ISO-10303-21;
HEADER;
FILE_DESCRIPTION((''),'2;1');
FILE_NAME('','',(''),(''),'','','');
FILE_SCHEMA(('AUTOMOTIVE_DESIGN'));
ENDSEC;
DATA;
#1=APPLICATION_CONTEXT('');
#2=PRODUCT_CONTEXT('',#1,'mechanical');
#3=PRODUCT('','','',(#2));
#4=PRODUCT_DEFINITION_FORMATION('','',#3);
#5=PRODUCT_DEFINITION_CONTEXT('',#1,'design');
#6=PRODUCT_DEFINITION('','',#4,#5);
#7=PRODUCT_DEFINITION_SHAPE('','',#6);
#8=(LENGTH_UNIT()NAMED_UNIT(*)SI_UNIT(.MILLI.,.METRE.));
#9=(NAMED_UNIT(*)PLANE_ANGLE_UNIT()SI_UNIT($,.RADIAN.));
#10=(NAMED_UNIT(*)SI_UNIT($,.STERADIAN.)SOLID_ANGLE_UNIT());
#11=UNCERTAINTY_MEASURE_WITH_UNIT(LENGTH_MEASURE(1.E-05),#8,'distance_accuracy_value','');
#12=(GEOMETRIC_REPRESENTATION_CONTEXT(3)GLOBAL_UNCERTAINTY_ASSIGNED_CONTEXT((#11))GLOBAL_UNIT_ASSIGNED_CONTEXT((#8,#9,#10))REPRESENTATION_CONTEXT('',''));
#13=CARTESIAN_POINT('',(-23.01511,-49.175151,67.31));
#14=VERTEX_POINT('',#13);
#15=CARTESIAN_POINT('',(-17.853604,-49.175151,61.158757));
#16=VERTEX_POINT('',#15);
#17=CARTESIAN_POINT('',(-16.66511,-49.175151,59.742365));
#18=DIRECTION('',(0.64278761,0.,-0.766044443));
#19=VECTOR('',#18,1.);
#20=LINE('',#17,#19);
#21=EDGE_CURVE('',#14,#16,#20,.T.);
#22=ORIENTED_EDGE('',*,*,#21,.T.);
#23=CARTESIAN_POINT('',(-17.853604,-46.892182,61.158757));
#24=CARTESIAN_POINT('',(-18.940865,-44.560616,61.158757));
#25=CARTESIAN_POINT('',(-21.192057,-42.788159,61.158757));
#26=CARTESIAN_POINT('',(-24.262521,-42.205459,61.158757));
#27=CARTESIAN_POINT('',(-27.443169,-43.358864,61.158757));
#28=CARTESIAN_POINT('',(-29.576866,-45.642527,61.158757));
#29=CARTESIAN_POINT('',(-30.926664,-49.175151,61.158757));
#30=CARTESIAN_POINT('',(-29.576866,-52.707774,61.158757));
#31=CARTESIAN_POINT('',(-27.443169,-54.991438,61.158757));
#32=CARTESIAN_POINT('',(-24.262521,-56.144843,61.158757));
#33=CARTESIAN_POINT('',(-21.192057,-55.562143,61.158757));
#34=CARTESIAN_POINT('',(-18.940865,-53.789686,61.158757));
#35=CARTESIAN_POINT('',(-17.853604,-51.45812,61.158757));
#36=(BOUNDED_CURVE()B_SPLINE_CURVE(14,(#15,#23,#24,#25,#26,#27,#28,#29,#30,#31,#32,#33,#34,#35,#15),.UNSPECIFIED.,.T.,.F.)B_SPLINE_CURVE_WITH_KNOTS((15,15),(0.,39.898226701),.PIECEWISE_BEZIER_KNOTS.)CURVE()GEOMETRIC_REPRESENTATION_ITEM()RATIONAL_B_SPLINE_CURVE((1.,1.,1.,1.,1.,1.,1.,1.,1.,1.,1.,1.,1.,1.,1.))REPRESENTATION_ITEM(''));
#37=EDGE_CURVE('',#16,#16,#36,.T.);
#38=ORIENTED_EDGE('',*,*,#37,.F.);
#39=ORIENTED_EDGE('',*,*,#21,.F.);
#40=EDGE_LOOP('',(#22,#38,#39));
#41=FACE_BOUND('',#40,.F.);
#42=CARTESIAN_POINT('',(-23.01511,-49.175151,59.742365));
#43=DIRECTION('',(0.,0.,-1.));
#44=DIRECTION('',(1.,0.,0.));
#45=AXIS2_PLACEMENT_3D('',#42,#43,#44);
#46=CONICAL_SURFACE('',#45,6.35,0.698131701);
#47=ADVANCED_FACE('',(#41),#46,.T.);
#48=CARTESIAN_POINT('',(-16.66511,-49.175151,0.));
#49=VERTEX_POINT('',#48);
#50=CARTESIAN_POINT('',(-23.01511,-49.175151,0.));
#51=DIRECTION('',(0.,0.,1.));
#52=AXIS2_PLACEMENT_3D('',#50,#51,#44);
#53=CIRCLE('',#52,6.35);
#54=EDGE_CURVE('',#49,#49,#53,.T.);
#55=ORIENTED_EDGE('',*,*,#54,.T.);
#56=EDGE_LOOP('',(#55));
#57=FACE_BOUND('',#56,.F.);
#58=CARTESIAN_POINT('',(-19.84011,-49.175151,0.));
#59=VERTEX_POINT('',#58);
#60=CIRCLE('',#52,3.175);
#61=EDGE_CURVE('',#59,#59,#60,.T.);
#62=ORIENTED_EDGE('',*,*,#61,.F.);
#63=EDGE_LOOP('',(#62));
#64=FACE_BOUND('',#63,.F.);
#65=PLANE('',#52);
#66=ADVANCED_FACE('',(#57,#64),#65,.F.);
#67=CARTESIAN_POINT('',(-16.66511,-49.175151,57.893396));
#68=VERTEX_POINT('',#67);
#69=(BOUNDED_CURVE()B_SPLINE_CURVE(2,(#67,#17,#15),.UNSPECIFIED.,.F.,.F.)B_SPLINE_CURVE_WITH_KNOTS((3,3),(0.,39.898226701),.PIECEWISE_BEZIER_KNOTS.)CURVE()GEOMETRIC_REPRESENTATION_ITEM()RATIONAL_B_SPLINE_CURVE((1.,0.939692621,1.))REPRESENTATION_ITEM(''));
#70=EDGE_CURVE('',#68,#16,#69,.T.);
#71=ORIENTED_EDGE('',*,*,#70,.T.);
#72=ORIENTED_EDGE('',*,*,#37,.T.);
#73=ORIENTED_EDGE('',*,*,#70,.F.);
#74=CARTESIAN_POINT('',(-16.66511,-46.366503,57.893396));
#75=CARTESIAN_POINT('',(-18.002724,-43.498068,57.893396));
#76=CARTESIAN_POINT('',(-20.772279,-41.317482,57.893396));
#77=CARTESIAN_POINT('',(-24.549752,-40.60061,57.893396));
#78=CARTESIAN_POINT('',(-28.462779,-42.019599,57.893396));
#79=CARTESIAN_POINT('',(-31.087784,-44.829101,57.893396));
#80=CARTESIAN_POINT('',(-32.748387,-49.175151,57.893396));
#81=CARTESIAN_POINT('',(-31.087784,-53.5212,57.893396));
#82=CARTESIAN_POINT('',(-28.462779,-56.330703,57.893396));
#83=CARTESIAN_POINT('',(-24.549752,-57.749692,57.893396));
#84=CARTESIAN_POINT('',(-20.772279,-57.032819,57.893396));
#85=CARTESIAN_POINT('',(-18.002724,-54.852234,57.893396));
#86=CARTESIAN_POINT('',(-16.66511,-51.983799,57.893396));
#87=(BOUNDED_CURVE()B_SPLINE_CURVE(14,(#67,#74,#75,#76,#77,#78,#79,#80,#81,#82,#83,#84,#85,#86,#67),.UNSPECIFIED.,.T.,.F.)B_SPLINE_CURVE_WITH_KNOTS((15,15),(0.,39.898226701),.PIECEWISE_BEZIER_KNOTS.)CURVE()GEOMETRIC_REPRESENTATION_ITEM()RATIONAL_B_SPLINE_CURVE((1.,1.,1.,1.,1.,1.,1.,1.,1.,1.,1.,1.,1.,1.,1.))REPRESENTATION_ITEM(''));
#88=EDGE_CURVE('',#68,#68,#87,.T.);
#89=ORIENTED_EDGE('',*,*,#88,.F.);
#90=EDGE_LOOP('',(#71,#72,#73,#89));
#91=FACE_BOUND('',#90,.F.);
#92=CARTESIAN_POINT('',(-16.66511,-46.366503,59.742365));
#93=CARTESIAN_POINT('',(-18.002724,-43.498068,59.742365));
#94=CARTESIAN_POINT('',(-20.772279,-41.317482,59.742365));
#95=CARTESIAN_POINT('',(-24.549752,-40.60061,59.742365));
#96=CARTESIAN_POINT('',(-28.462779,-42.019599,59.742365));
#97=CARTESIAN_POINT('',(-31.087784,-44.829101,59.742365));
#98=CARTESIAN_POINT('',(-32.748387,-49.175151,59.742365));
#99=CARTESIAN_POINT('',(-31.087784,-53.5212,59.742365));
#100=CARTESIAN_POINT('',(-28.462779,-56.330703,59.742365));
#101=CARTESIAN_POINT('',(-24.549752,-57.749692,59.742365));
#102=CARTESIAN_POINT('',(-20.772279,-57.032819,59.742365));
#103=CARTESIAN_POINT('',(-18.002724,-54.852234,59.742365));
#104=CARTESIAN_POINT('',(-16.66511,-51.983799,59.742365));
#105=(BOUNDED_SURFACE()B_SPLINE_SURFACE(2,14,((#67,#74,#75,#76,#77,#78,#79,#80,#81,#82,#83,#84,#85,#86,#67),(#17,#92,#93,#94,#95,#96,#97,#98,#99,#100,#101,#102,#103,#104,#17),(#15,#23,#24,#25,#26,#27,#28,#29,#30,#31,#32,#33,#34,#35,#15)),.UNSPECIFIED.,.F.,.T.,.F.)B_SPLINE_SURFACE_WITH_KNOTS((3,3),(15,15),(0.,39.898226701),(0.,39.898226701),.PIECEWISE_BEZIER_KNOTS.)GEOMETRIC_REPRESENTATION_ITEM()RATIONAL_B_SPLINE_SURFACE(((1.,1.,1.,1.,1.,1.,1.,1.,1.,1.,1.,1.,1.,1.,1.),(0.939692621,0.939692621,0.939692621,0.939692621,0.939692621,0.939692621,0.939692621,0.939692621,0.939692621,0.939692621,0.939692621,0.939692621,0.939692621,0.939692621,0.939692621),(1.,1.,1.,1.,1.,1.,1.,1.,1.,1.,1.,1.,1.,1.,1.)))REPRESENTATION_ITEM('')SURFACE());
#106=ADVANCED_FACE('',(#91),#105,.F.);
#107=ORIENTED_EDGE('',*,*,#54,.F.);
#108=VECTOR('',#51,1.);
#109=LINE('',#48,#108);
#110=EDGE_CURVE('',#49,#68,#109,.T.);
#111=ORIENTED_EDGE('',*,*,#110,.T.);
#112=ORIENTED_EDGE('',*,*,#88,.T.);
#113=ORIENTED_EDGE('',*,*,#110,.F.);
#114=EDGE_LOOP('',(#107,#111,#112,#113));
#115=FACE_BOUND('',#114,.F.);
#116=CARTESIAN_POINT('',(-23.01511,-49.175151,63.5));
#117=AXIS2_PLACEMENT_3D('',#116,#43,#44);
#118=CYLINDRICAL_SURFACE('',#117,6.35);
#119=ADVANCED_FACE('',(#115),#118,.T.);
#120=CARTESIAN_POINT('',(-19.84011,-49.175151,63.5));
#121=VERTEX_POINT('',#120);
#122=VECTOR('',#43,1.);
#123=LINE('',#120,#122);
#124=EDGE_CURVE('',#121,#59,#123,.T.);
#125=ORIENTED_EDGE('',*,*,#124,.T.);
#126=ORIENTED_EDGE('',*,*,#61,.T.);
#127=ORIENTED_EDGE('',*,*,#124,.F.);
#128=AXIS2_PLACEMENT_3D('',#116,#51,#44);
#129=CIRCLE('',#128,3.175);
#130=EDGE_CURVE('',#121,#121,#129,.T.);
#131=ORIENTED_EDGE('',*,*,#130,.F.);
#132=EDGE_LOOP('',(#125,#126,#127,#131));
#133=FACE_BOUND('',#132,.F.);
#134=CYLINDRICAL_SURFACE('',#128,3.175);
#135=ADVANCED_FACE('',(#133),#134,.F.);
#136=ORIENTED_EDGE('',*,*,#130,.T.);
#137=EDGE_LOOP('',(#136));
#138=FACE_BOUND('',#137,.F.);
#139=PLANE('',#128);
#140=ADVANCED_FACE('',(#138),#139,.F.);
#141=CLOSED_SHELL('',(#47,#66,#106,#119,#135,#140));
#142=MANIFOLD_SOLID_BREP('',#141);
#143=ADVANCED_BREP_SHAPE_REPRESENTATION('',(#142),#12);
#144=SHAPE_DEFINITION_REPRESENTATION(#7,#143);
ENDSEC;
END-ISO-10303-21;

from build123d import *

# Parameters (mm, degrees)
F0_R     = 6.35
F1_DEPTH = 63.5
F3_R     = 6.35
F4_DEPTH = 3.81
F5_D     = 6.35
F5_DEPTH = 63.5
F5_TIP   = 1.9077324654
F6_SIZE2 = 7.567635313
F6_SIZE  = 6.35
F7_R     = 5.08


with BuildPart() as f1:
    # F0 (on Top) → F1 (new body)
    with BuildSketch(Plane.XY):
        with Locations((-23.0151098222, -49.1751506925)):
            Circle(F0_R)
    extrude(amount=F1_DEPTH)

    # F3 (on face) → F4 (join)
    with BuildSketch(Plane.XY.offset(63.5)):
        with Locations((-23.0151098222, -49.1751506925)):
            Circle(F3_R)
    extrude(amount=F4_DEPTH)

    # F5 (one way)
    with BuildSketch(Plane.XY.offset(63.5)):
        with Locations((-23.0151098222, -49.1751506925)):
            Circle(F5_D / 2)
    extrude(amount=-F5_DEPTH, mode=Mode.SUBTRACT)
    with Locations(Plane.XY.offset(63.5)):
        with Locations((-23.0151098222, -49.1751506925)):
            with Locations((0, 0, -(F5_DEPTH + F5_TIP / 2))):  # 118° drill point
                Cone(0, F5_D / 2, F5_TIP, mode=Mode.SUBTRACT)

    # F6
    f6_edges = [f1.edges().sort_by_distance(p)[0] for p in [
        (-29.36511, -49.175151, 67.31),
    ]]
    f6_side = f1.faces().sort_by_distance((-23.01511, -49.175151, 67.31))[0]
    chamfer(f6_edges, length=F6_SIZE, length2=F6_SIZE2, reference=f6_side)

    # F7
    f7_edges = [f1.edges().sort_by_distance(p)[0] for p in [
        (-29.36511, -49.175151, 59.742365),
    ]]
    fillet(f7_edges, radius=F7_R)


solid = f1.part
